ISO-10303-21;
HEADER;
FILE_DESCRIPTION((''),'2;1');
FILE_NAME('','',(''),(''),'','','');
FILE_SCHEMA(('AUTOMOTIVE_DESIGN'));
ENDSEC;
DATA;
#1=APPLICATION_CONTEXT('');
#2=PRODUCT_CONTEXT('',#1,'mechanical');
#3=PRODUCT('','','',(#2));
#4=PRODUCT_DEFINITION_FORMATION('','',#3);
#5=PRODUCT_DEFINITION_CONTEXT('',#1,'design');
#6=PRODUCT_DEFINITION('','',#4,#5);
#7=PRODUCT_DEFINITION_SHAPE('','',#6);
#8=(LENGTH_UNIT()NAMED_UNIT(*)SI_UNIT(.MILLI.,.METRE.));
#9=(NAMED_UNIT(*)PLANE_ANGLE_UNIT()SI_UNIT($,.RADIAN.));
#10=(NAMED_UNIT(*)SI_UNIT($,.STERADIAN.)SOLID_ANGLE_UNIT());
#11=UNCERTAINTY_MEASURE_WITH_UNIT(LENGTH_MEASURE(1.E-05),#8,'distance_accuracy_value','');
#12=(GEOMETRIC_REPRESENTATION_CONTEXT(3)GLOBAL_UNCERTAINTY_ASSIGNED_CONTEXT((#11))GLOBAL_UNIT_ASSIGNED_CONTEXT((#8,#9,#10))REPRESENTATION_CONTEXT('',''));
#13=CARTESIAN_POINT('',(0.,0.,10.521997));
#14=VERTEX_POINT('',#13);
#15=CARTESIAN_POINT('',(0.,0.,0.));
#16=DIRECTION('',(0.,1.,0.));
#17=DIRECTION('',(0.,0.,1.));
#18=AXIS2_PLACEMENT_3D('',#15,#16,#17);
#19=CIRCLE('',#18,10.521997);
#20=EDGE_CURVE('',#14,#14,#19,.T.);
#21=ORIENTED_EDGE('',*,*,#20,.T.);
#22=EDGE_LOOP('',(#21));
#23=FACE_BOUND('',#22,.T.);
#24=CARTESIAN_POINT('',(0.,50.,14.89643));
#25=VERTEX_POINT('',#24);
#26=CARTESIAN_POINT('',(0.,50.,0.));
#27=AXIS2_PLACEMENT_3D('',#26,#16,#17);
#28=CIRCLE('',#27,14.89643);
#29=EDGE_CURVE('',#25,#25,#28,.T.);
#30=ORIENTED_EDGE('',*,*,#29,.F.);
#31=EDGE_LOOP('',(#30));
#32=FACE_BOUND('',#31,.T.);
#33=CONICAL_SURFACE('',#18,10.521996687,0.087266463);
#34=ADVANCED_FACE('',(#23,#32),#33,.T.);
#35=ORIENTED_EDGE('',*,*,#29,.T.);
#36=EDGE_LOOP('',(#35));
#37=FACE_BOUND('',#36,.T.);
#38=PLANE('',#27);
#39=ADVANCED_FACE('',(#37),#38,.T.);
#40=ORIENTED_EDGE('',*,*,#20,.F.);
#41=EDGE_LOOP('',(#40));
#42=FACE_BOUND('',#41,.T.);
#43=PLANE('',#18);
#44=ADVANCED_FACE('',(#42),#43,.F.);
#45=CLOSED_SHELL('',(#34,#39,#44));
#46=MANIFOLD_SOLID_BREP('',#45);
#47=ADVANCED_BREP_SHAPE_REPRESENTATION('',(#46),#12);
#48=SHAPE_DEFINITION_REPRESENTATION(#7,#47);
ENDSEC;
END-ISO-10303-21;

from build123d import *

# Parameters (mm, degrees)
SKETCH1_R           = 10.521996687
BOSS_EXTRUDE1_DEPTH = 50
BOSS_EXTRUDE1_TAPER = -5


with BuildPart() as part:
    # Sketch1 → Boss-Extrude1 (new body)
    with BuildSketch(Plane(origin=(0, 0, 0), x_dir=(1, 0, 0), z_dir=(0, 1, 0))):
        Circle(SKETCH1_R)
    extrude(amount=BOSS_EXTRUDE1_DEPTH, taper=BOSS_EXTRUDE1_TAPER)


solid = part.part
